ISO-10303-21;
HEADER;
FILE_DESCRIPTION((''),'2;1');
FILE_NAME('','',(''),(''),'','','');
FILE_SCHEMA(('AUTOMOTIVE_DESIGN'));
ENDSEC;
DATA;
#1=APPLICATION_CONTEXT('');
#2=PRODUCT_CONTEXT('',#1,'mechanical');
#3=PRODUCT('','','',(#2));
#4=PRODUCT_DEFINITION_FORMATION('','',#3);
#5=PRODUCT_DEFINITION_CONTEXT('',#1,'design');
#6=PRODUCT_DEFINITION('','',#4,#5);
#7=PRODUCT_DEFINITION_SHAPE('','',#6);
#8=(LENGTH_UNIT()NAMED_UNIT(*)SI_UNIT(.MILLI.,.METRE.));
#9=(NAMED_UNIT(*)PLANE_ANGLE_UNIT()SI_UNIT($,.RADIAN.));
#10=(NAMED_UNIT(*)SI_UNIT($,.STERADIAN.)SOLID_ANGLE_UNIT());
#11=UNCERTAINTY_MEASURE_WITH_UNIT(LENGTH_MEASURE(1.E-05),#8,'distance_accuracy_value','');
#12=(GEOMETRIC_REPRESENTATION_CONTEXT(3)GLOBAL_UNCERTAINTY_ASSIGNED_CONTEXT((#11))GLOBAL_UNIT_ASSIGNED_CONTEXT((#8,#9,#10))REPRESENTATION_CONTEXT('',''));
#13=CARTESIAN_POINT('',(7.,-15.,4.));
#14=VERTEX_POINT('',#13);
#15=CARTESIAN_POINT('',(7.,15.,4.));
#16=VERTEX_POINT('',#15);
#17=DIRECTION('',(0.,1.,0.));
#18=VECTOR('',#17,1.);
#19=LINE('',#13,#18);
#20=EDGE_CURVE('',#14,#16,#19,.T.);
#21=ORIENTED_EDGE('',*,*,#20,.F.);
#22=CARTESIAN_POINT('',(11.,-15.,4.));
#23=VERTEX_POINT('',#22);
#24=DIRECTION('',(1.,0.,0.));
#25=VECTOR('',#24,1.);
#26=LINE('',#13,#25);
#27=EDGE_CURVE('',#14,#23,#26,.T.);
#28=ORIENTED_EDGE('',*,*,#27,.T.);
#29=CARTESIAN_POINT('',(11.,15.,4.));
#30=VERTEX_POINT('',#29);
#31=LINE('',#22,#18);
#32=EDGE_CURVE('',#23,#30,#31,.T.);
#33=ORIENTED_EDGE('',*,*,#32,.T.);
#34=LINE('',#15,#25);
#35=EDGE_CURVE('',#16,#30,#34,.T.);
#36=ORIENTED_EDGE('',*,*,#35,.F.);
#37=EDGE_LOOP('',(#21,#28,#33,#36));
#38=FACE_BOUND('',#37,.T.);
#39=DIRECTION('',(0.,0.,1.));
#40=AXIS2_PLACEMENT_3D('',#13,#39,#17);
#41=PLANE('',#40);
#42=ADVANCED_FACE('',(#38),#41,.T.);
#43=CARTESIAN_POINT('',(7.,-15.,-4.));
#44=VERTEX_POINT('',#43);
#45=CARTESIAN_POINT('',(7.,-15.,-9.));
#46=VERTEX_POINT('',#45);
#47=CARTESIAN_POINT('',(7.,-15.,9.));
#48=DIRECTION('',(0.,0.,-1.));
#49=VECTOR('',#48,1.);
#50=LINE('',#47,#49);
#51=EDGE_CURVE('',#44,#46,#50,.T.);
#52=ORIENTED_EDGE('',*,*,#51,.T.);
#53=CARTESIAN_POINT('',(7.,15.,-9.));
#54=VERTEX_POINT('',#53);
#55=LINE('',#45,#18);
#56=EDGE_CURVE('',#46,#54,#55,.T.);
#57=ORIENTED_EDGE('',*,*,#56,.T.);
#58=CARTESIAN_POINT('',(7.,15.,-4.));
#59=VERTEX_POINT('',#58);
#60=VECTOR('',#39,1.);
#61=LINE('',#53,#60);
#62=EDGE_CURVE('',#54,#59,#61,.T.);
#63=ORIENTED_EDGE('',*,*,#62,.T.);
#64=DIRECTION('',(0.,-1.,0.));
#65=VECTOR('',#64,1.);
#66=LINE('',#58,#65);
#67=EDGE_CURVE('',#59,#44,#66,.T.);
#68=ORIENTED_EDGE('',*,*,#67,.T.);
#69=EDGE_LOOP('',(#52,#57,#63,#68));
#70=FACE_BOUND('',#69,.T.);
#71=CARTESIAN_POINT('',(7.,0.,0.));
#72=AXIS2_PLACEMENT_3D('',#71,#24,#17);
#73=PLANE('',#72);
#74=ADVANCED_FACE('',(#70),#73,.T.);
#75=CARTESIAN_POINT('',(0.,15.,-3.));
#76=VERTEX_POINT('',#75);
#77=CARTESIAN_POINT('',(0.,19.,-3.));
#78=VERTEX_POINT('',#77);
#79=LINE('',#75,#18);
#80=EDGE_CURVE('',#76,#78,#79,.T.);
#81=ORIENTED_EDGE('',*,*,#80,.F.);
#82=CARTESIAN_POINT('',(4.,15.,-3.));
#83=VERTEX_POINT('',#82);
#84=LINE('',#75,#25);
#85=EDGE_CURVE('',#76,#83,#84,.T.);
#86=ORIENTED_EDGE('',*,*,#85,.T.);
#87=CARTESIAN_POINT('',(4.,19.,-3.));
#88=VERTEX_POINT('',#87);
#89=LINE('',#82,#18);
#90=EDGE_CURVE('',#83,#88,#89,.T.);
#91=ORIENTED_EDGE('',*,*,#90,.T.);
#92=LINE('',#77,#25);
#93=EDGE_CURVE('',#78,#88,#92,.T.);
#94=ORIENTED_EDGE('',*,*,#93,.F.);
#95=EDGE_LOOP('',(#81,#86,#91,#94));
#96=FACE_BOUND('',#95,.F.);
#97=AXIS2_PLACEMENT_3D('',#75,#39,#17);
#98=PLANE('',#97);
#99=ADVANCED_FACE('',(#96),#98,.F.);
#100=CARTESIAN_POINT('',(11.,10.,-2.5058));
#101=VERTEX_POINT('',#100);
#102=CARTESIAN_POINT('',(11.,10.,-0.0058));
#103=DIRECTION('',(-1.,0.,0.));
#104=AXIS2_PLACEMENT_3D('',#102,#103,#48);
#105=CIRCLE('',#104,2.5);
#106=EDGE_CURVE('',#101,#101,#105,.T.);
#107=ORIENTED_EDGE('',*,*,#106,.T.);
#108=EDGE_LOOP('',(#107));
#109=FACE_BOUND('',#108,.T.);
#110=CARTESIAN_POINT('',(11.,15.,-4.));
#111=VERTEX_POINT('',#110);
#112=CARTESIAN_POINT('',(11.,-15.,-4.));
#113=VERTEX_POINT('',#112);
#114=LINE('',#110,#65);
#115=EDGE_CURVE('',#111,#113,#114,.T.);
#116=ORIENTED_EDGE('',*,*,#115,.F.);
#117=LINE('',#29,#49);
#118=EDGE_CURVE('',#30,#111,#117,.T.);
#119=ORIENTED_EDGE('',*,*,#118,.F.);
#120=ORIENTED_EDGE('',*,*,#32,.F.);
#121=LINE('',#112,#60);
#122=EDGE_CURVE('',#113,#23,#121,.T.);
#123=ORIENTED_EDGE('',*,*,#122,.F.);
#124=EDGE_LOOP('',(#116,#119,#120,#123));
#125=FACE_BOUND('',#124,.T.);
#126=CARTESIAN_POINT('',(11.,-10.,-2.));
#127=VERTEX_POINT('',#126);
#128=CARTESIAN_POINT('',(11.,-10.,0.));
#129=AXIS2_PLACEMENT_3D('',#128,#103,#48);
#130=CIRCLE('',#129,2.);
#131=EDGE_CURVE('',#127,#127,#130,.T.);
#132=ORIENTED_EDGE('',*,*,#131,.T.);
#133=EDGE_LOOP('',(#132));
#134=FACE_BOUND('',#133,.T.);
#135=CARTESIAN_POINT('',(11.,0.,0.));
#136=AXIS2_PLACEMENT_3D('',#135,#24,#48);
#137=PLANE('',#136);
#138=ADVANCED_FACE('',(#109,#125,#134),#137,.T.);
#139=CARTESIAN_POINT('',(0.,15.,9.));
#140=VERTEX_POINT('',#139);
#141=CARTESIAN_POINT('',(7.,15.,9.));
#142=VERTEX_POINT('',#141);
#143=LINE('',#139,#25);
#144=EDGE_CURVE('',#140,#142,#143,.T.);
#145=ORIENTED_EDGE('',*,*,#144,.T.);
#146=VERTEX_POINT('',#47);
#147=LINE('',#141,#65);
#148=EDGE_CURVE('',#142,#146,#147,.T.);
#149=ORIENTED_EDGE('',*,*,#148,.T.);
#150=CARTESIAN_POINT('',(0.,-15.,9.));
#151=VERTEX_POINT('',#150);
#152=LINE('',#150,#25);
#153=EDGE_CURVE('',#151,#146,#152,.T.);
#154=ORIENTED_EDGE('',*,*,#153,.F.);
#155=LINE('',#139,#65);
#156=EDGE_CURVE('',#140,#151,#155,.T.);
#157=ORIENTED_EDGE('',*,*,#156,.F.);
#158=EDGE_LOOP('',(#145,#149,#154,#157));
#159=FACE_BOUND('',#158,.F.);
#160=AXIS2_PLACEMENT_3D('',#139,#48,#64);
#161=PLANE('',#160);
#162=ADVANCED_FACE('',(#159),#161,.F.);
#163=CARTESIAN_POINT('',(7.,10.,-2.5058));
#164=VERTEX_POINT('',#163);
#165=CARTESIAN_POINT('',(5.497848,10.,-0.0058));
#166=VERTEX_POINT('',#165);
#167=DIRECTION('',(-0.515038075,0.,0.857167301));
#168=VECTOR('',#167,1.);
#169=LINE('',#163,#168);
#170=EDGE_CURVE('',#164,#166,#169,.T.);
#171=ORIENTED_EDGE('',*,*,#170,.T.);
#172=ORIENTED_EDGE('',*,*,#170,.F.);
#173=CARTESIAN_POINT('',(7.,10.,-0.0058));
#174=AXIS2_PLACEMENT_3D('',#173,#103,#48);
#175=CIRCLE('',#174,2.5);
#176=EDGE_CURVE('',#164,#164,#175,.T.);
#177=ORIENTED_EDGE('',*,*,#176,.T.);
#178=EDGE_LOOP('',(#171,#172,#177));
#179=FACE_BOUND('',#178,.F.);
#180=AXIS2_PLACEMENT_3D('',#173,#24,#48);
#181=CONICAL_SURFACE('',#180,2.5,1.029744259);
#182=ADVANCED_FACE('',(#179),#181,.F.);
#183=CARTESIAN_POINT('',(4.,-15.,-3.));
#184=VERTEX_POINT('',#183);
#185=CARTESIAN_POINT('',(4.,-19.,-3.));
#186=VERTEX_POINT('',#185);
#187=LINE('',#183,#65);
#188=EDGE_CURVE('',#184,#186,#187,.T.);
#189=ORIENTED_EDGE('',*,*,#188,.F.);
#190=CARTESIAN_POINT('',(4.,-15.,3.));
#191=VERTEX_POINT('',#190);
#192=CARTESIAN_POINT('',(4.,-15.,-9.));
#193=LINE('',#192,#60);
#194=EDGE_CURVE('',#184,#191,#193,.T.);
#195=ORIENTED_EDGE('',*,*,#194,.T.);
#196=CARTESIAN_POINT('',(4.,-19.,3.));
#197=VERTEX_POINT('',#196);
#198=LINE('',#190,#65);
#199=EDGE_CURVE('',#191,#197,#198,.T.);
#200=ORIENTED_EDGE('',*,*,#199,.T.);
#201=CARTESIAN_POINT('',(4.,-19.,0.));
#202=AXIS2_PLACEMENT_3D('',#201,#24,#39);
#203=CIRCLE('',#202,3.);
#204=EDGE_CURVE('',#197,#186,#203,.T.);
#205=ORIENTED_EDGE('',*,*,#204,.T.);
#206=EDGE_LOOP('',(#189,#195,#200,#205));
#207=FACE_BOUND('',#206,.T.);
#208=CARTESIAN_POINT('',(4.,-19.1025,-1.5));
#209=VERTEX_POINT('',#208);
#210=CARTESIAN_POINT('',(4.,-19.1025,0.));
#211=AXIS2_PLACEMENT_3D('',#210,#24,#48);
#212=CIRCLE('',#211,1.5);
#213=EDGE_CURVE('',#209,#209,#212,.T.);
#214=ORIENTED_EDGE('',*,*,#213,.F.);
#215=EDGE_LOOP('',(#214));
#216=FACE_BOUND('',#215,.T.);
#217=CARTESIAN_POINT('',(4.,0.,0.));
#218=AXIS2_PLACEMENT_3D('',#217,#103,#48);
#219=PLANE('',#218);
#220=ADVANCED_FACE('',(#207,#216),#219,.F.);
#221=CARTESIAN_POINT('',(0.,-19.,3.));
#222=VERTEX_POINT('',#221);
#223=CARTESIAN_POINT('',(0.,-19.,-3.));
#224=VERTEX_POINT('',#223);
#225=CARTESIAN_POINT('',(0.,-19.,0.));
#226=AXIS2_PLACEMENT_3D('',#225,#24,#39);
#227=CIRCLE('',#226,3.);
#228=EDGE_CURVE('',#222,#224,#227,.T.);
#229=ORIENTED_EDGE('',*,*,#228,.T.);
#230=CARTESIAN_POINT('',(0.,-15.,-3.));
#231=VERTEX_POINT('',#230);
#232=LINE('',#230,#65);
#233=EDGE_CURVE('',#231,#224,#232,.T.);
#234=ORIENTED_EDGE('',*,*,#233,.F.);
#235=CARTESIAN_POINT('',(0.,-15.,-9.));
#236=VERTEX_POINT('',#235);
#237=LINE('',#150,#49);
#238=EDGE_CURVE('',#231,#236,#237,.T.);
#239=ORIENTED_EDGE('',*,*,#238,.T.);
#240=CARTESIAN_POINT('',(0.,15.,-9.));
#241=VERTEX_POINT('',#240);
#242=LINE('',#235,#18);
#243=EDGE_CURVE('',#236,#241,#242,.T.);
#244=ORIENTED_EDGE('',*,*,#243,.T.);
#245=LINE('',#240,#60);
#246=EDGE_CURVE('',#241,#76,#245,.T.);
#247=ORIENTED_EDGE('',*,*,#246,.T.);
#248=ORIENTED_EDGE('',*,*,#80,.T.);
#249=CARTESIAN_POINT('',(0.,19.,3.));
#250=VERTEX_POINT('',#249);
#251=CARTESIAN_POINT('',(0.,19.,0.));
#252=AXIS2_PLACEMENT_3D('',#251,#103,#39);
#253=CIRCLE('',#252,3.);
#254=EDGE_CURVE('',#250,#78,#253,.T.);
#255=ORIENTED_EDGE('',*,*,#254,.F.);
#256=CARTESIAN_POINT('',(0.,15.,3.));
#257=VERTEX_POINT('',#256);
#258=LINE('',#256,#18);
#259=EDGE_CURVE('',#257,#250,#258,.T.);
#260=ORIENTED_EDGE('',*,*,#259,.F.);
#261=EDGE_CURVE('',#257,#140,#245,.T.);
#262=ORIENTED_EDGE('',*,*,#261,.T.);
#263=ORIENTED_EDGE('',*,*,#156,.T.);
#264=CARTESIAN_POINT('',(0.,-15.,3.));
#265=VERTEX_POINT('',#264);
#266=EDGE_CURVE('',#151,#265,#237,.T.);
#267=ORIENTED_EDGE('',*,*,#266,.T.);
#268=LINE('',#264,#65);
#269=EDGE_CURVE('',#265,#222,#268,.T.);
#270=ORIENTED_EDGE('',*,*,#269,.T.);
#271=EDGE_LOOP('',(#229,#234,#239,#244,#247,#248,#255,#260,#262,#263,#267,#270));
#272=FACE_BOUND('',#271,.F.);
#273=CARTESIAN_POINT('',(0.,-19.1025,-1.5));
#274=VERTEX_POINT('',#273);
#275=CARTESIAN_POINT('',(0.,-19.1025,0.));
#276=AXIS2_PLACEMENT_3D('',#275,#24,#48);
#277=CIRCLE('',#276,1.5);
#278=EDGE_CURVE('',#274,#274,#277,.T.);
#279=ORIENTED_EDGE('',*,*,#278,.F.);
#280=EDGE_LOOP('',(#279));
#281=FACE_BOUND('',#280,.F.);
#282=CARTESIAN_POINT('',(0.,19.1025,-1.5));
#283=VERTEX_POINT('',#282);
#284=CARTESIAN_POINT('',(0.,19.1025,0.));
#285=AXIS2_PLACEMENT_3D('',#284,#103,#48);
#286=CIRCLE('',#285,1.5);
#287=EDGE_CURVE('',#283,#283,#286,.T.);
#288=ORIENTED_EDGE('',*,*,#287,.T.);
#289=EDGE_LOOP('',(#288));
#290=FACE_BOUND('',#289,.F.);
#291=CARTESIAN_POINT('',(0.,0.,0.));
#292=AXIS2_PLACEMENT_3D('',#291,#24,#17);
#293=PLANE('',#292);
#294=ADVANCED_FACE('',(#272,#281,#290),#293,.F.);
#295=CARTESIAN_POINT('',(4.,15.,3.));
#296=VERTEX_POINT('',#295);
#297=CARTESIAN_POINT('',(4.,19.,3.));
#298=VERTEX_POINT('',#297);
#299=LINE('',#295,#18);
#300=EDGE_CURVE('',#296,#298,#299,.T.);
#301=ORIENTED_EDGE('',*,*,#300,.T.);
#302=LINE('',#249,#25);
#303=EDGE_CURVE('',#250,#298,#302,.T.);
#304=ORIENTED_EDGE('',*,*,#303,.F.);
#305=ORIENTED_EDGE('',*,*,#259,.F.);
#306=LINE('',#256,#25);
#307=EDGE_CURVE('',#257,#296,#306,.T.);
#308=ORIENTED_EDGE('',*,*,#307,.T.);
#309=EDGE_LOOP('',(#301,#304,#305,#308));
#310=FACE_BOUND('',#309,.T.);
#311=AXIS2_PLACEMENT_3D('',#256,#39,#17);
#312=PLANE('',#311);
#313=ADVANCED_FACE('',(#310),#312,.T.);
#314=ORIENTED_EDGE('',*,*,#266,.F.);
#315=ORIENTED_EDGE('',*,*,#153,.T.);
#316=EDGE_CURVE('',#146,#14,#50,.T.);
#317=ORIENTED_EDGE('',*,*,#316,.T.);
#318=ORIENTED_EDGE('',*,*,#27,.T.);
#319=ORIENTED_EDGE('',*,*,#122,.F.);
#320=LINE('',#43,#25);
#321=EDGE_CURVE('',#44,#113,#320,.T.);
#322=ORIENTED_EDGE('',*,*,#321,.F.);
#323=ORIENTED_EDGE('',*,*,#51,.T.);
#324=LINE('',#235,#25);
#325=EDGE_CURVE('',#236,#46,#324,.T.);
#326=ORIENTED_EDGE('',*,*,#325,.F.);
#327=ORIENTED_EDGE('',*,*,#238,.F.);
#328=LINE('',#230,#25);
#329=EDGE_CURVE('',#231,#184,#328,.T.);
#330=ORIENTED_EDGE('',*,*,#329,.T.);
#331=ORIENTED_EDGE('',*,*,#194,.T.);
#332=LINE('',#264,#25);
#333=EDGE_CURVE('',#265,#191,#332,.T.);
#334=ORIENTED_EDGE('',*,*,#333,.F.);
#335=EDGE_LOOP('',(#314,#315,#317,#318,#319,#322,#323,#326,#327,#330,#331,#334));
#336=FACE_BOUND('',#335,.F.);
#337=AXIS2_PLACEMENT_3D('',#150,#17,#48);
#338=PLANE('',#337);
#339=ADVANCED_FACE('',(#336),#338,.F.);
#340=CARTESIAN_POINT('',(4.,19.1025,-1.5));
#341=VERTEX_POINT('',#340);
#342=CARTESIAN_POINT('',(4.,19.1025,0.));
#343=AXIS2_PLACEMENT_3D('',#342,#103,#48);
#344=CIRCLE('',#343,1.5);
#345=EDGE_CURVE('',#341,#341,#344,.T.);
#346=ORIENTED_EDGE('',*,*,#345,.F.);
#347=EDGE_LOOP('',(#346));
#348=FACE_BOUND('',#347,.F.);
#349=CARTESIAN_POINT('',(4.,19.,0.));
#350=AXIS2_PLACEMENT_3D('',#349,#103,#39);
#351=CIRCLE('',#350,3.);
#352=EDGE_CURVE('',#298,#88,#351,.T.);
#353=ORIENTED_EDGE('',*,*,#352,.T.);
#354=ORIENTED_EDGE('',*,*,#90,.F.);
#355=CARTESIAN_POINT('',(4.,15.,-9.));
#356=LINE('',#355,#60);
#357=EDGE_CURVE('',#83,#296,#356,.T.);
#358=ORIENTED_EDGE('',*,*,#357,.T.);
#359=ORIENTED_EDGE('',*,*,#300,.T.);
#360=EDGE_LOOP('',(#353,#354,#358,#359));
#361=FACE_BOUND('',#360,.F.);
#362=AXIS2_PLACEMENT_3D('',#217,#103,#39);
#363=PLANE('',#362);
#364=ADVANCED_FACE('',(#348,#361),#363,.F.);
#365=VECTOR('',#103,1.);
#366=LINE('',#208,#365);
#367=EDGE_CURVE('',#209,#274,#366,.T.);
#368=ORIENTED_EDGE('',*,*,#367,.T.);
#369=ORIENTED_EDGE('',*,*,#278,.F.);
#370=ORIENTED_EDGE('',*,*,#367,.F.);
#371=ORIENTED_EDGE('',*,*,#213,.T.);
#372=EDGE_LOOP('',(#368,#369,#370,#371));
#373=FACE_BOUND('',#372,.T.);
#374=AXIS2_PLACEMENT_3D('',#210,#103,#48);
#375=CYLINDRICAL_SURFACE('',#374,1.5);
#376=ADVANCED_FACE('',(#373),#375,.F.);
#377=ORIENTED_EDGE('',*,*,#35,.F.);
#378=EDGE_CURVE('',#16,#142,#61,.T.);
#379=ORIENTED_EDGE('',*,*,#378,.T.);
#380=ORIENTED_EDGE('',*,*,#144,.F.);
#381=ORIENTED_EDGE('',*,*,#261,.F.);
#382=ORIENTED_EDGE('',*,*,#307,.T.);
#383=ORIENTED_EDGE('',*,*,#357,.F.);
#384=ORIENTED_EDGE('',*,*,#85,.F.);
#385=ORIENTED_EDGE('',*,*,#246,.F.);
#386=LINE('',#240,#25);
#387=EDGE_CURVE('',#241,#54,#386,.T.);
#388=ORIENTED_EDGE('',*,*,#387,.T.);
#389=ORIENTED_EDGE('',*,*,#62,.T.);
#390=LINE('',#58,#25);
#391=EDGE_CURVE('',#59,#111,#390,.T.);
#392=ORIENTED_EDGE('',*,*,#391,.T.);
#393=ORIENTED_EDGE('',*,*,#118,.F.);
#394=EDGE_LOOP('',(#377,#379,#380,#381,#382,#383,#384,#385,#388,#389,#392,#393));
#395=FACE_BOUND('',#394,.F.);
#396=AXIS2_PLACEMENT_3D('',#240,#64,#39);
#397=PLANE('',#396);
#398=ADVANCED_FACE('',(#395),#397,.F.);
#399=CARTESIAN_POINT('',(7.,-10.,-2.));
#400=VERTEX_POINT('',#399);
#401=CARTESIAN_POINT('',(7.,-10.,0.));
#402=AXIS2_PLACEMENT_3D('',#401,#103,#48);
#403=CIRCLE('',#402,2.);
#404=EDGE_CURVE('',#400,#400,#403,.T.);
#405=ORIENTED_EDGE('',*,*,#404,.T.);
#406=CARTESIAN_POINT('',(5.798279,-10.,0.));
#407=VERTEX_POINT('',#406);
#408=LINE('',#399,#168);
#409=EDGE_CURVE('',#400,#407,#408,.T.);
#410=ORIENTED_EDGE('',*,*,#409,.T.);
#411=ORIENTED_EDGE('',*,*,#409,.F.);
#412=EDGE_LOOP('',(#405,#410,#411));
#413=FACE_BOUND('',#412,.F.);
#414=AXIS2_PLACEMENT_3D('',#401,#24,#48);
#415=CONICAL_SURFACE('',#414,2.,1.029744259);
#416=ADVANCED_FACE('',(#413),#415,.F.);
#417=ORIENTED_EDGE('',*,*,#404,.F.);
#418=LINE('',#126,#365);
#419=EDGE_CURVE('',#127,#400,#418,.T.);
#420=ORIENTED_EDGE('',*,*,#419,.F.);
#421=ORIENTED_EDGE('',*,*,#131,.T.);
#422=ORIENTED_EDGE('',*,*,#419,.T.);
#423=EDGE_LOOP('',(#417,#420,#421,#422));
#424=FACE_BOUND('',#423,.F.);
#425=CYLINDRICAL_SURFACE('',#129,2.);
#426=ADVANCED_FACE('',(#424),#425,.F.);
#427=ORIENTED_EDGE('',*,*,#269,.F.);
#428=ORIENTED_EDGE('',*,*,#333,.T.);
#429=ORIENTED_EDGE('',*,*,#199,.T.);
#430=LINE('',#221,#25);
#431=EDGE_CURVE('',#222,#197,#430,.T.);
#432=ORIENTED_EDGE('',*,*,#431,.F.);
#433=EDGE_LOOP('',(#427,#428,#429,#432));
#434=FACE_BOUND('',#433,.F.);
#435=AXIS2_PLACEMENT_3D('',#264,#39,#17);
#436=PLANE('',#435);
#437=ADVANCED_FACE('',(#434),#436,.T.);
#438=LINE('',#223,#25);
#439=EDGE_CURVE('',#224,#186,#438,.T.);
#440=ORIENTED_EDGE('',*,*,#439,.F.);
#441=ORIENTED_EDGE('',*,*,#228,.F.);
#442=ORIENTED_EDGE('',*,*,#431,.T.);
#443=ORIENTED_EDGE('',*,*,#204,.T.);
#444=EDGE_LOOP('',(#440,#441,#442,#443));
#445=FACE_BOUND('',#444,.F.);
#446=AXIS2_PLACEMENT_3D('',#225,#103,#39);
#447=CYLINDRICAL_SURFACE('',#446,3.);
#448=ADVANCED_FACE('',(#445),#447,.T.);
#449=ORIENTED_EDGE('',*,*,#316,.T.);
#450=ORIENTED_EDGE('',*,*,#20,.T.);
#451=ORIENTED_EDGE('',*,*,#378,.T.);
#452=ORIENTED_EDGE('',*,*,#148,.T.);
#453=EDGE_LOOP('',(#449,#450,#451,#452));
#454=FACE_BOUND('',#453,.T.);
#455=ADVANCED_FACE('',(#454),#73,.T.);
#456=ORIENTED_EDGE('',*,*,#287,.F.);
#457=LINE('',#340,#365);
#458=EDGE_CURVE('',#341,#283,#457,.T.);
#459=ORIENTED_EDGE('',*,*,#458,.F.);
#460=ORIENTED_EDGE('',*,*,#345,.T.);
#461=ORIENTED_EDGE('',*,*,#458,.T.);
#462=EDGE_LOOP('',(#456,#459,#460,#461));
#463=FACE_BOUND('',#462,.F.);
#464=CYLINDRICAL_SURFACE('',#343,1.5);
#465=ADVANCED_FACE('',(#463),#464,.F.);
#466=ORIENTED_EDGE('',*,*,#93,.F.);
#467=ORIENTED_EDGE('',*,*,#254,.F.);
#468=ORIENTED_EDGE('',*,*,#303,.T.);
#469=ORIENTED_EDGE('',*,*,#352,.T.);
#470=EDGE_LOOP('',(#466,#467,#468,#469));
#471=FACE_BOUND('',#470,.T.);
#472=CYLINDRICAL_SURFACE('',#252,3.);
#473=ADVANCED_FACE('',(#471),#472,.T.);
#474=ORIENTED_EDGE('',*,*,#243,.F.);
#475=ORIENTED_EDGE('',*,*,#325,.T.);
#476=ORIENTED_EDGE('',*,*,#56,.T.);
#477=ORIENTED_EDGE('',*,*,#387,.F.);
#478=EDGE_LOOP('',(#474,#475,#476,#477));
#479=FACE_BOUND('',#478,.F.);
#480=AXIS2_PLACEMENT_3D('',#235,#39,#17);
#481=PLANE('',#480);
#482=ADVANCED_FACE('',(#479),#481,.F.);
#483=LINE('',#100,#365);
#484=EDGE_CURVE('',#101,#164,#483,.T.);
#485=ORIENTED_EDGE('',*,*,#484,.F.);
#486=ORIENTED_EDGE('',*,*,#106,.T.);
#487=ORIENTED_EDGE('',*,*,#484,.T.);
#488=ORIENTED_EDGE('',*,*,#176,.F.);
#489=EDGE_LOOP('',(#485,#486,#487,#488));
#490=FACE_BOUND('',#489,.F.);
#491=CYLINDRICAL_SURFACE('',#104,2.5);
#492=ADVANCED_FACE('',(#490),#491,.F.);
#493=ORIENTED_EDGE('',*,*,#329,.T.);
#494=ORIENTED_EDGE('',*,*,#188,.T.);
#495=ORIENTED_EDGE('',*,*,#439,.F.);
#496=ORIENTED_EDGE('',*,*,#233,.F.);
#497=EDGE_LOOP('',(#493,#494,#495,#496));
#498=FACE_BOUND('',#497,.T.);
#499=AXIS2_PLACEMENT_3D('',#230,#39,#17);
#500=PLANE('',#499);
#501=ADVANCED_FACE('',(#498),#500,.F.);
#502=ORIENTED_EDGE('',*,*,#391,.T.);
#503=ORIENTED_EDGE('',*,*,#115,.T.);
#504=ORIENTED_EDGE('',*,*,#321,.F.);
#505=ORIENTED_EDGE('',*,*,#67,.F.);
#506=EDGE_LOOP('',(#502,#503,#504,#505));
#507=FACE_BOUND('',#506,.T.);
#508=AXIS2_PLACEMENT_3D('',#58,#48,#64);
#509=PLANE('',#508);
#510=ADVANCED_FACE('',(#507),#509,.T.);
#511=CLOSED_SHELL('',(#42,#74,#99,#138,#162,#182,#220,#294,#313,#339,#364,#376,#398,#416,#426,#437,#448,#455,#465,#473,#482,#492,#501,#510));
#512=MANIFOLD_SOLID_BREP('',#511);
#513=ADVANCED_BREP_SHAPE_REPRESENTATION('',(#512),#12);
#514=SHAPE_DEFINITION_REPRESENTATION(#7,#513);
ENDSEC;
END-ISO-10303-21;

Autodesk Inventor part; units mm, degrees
ref_plane "YZ Plane" through (0, 0, 0) normal (1, 0, 0) x (0, 1, 0)
ref_plane "XZ Plane" through (0, 0, 0) normal (0, 1, 0) x (-1, 0, 0)
ref_plane "XY Plane" through (0, 0, 0) normal (0, 0, 1) x (1, 0, 0)
sketch "Skizze1" plane through (0, 0, 0) normal (1, 0, 0) x (0, 1, 0)
  line L0 (-15, -9) -> (15, -9)
  line L1 (15, -9) -> (15, 9)
  line L2 (15, 9) -> (-15, 9)
  line L3 (-15, 9) -> (-15, -9)
  line L4 (-15, -9) -> (15, 9) construction
  line L5 (15, -9) -> (-15, 9) construction
  point P0 (0, 0)
  dimension "d0" = 30
  dimension "d1" = 18
extrude "Extrusion1" add sketch "Skizze1" along normal blind 7
sketch "Skizze2" plane through (7, 0, 0) normal (1, 0, 0) x (0, 0, -1)
  line L0 (4, -15) -> (-4, -15)
  line L1 (-4, -15) -> (-4, 15)
  line L2 (-4, 15) -> (4, 15)
  line L3 (4, 15) -> (4, -15)
  line L4 (4, -15) -> (-4, 15) construction
  line L5 (-4, -15) -> (4, 15) construction
  point P0 (0, 0)
  dimension "d4" = 8
  dimension "d5" = 30
extrude "Extrusion2" add sketch "Skizze2" along normal blind 4
sketch "Skizze3" plane through (11, 0, 0) normal (1, 0, 0) x (0, 0, -1)
  point P0 (0, 0)
  point P1 (0.0058, 10)
  dimension "d24" = 10
hole "Bohrung1" at (11, 10, -0.0058) direction (-1, 0, 0) diameter 5 depth 4 tip angle 118
sketch "Skizze4" plane through (11, 0, 0) normal (1, 0, 0) x (0, 0, -1)
  line L0 (-4, -15) -> (4, -15) projected
  point P0 (0, 0)
  point P1 (0, -10)
  dimension "d22" = 0
  dimension "d23" = 5
hole "Bohrung2" at (11, -10, 0) direction (-1, 0, 0) diameter 4 depth 4 tip angle 118
sketch "Skizze5" plane through (0, 0, 0) normal (-1, 0, 0) x (0, 0, 1)
  line L0 (-9, 15) -> (9, 15) projected
  line L1 (-3, 15) -> (-3, 19)
  line L2 (-3, 15) -> (1, 15) construction
  line L3 (3, 15) -> (3, 19)
  line L4 (-3, 15) -> (3, 15)
  arc A0 (3, 19) -> (-3, 19) centre (0, 19) ccw
  point P0 (0, 0)
  point P1 (-3, 17)
  dimension "d25" = 4
  dimension "d26" = 90
  dimension "d27" = 3
  dimension "d28" = 3
extrude "Extrusion3" add sketch "Skizze5" against normal blind 4
sketch "Skizze6" plane through (4, 0, 0) normal (1, 0, 0) x (0, 0, -1)
  point P0 (0, 0)
  point P1 (0, 19.1025)
  dimension "d38" = 0
hole "Bohrung3" at (4, 19.1025, 0) direction (-1, 0, 0) diameter 3 depth 4 tip angle 118
mirror "Spiegeln1" about plane through (0, 0, 0) normal (0, 1, 0) of "Extrusion3", "Bohrung3"
properties part number "InfraSensor"
